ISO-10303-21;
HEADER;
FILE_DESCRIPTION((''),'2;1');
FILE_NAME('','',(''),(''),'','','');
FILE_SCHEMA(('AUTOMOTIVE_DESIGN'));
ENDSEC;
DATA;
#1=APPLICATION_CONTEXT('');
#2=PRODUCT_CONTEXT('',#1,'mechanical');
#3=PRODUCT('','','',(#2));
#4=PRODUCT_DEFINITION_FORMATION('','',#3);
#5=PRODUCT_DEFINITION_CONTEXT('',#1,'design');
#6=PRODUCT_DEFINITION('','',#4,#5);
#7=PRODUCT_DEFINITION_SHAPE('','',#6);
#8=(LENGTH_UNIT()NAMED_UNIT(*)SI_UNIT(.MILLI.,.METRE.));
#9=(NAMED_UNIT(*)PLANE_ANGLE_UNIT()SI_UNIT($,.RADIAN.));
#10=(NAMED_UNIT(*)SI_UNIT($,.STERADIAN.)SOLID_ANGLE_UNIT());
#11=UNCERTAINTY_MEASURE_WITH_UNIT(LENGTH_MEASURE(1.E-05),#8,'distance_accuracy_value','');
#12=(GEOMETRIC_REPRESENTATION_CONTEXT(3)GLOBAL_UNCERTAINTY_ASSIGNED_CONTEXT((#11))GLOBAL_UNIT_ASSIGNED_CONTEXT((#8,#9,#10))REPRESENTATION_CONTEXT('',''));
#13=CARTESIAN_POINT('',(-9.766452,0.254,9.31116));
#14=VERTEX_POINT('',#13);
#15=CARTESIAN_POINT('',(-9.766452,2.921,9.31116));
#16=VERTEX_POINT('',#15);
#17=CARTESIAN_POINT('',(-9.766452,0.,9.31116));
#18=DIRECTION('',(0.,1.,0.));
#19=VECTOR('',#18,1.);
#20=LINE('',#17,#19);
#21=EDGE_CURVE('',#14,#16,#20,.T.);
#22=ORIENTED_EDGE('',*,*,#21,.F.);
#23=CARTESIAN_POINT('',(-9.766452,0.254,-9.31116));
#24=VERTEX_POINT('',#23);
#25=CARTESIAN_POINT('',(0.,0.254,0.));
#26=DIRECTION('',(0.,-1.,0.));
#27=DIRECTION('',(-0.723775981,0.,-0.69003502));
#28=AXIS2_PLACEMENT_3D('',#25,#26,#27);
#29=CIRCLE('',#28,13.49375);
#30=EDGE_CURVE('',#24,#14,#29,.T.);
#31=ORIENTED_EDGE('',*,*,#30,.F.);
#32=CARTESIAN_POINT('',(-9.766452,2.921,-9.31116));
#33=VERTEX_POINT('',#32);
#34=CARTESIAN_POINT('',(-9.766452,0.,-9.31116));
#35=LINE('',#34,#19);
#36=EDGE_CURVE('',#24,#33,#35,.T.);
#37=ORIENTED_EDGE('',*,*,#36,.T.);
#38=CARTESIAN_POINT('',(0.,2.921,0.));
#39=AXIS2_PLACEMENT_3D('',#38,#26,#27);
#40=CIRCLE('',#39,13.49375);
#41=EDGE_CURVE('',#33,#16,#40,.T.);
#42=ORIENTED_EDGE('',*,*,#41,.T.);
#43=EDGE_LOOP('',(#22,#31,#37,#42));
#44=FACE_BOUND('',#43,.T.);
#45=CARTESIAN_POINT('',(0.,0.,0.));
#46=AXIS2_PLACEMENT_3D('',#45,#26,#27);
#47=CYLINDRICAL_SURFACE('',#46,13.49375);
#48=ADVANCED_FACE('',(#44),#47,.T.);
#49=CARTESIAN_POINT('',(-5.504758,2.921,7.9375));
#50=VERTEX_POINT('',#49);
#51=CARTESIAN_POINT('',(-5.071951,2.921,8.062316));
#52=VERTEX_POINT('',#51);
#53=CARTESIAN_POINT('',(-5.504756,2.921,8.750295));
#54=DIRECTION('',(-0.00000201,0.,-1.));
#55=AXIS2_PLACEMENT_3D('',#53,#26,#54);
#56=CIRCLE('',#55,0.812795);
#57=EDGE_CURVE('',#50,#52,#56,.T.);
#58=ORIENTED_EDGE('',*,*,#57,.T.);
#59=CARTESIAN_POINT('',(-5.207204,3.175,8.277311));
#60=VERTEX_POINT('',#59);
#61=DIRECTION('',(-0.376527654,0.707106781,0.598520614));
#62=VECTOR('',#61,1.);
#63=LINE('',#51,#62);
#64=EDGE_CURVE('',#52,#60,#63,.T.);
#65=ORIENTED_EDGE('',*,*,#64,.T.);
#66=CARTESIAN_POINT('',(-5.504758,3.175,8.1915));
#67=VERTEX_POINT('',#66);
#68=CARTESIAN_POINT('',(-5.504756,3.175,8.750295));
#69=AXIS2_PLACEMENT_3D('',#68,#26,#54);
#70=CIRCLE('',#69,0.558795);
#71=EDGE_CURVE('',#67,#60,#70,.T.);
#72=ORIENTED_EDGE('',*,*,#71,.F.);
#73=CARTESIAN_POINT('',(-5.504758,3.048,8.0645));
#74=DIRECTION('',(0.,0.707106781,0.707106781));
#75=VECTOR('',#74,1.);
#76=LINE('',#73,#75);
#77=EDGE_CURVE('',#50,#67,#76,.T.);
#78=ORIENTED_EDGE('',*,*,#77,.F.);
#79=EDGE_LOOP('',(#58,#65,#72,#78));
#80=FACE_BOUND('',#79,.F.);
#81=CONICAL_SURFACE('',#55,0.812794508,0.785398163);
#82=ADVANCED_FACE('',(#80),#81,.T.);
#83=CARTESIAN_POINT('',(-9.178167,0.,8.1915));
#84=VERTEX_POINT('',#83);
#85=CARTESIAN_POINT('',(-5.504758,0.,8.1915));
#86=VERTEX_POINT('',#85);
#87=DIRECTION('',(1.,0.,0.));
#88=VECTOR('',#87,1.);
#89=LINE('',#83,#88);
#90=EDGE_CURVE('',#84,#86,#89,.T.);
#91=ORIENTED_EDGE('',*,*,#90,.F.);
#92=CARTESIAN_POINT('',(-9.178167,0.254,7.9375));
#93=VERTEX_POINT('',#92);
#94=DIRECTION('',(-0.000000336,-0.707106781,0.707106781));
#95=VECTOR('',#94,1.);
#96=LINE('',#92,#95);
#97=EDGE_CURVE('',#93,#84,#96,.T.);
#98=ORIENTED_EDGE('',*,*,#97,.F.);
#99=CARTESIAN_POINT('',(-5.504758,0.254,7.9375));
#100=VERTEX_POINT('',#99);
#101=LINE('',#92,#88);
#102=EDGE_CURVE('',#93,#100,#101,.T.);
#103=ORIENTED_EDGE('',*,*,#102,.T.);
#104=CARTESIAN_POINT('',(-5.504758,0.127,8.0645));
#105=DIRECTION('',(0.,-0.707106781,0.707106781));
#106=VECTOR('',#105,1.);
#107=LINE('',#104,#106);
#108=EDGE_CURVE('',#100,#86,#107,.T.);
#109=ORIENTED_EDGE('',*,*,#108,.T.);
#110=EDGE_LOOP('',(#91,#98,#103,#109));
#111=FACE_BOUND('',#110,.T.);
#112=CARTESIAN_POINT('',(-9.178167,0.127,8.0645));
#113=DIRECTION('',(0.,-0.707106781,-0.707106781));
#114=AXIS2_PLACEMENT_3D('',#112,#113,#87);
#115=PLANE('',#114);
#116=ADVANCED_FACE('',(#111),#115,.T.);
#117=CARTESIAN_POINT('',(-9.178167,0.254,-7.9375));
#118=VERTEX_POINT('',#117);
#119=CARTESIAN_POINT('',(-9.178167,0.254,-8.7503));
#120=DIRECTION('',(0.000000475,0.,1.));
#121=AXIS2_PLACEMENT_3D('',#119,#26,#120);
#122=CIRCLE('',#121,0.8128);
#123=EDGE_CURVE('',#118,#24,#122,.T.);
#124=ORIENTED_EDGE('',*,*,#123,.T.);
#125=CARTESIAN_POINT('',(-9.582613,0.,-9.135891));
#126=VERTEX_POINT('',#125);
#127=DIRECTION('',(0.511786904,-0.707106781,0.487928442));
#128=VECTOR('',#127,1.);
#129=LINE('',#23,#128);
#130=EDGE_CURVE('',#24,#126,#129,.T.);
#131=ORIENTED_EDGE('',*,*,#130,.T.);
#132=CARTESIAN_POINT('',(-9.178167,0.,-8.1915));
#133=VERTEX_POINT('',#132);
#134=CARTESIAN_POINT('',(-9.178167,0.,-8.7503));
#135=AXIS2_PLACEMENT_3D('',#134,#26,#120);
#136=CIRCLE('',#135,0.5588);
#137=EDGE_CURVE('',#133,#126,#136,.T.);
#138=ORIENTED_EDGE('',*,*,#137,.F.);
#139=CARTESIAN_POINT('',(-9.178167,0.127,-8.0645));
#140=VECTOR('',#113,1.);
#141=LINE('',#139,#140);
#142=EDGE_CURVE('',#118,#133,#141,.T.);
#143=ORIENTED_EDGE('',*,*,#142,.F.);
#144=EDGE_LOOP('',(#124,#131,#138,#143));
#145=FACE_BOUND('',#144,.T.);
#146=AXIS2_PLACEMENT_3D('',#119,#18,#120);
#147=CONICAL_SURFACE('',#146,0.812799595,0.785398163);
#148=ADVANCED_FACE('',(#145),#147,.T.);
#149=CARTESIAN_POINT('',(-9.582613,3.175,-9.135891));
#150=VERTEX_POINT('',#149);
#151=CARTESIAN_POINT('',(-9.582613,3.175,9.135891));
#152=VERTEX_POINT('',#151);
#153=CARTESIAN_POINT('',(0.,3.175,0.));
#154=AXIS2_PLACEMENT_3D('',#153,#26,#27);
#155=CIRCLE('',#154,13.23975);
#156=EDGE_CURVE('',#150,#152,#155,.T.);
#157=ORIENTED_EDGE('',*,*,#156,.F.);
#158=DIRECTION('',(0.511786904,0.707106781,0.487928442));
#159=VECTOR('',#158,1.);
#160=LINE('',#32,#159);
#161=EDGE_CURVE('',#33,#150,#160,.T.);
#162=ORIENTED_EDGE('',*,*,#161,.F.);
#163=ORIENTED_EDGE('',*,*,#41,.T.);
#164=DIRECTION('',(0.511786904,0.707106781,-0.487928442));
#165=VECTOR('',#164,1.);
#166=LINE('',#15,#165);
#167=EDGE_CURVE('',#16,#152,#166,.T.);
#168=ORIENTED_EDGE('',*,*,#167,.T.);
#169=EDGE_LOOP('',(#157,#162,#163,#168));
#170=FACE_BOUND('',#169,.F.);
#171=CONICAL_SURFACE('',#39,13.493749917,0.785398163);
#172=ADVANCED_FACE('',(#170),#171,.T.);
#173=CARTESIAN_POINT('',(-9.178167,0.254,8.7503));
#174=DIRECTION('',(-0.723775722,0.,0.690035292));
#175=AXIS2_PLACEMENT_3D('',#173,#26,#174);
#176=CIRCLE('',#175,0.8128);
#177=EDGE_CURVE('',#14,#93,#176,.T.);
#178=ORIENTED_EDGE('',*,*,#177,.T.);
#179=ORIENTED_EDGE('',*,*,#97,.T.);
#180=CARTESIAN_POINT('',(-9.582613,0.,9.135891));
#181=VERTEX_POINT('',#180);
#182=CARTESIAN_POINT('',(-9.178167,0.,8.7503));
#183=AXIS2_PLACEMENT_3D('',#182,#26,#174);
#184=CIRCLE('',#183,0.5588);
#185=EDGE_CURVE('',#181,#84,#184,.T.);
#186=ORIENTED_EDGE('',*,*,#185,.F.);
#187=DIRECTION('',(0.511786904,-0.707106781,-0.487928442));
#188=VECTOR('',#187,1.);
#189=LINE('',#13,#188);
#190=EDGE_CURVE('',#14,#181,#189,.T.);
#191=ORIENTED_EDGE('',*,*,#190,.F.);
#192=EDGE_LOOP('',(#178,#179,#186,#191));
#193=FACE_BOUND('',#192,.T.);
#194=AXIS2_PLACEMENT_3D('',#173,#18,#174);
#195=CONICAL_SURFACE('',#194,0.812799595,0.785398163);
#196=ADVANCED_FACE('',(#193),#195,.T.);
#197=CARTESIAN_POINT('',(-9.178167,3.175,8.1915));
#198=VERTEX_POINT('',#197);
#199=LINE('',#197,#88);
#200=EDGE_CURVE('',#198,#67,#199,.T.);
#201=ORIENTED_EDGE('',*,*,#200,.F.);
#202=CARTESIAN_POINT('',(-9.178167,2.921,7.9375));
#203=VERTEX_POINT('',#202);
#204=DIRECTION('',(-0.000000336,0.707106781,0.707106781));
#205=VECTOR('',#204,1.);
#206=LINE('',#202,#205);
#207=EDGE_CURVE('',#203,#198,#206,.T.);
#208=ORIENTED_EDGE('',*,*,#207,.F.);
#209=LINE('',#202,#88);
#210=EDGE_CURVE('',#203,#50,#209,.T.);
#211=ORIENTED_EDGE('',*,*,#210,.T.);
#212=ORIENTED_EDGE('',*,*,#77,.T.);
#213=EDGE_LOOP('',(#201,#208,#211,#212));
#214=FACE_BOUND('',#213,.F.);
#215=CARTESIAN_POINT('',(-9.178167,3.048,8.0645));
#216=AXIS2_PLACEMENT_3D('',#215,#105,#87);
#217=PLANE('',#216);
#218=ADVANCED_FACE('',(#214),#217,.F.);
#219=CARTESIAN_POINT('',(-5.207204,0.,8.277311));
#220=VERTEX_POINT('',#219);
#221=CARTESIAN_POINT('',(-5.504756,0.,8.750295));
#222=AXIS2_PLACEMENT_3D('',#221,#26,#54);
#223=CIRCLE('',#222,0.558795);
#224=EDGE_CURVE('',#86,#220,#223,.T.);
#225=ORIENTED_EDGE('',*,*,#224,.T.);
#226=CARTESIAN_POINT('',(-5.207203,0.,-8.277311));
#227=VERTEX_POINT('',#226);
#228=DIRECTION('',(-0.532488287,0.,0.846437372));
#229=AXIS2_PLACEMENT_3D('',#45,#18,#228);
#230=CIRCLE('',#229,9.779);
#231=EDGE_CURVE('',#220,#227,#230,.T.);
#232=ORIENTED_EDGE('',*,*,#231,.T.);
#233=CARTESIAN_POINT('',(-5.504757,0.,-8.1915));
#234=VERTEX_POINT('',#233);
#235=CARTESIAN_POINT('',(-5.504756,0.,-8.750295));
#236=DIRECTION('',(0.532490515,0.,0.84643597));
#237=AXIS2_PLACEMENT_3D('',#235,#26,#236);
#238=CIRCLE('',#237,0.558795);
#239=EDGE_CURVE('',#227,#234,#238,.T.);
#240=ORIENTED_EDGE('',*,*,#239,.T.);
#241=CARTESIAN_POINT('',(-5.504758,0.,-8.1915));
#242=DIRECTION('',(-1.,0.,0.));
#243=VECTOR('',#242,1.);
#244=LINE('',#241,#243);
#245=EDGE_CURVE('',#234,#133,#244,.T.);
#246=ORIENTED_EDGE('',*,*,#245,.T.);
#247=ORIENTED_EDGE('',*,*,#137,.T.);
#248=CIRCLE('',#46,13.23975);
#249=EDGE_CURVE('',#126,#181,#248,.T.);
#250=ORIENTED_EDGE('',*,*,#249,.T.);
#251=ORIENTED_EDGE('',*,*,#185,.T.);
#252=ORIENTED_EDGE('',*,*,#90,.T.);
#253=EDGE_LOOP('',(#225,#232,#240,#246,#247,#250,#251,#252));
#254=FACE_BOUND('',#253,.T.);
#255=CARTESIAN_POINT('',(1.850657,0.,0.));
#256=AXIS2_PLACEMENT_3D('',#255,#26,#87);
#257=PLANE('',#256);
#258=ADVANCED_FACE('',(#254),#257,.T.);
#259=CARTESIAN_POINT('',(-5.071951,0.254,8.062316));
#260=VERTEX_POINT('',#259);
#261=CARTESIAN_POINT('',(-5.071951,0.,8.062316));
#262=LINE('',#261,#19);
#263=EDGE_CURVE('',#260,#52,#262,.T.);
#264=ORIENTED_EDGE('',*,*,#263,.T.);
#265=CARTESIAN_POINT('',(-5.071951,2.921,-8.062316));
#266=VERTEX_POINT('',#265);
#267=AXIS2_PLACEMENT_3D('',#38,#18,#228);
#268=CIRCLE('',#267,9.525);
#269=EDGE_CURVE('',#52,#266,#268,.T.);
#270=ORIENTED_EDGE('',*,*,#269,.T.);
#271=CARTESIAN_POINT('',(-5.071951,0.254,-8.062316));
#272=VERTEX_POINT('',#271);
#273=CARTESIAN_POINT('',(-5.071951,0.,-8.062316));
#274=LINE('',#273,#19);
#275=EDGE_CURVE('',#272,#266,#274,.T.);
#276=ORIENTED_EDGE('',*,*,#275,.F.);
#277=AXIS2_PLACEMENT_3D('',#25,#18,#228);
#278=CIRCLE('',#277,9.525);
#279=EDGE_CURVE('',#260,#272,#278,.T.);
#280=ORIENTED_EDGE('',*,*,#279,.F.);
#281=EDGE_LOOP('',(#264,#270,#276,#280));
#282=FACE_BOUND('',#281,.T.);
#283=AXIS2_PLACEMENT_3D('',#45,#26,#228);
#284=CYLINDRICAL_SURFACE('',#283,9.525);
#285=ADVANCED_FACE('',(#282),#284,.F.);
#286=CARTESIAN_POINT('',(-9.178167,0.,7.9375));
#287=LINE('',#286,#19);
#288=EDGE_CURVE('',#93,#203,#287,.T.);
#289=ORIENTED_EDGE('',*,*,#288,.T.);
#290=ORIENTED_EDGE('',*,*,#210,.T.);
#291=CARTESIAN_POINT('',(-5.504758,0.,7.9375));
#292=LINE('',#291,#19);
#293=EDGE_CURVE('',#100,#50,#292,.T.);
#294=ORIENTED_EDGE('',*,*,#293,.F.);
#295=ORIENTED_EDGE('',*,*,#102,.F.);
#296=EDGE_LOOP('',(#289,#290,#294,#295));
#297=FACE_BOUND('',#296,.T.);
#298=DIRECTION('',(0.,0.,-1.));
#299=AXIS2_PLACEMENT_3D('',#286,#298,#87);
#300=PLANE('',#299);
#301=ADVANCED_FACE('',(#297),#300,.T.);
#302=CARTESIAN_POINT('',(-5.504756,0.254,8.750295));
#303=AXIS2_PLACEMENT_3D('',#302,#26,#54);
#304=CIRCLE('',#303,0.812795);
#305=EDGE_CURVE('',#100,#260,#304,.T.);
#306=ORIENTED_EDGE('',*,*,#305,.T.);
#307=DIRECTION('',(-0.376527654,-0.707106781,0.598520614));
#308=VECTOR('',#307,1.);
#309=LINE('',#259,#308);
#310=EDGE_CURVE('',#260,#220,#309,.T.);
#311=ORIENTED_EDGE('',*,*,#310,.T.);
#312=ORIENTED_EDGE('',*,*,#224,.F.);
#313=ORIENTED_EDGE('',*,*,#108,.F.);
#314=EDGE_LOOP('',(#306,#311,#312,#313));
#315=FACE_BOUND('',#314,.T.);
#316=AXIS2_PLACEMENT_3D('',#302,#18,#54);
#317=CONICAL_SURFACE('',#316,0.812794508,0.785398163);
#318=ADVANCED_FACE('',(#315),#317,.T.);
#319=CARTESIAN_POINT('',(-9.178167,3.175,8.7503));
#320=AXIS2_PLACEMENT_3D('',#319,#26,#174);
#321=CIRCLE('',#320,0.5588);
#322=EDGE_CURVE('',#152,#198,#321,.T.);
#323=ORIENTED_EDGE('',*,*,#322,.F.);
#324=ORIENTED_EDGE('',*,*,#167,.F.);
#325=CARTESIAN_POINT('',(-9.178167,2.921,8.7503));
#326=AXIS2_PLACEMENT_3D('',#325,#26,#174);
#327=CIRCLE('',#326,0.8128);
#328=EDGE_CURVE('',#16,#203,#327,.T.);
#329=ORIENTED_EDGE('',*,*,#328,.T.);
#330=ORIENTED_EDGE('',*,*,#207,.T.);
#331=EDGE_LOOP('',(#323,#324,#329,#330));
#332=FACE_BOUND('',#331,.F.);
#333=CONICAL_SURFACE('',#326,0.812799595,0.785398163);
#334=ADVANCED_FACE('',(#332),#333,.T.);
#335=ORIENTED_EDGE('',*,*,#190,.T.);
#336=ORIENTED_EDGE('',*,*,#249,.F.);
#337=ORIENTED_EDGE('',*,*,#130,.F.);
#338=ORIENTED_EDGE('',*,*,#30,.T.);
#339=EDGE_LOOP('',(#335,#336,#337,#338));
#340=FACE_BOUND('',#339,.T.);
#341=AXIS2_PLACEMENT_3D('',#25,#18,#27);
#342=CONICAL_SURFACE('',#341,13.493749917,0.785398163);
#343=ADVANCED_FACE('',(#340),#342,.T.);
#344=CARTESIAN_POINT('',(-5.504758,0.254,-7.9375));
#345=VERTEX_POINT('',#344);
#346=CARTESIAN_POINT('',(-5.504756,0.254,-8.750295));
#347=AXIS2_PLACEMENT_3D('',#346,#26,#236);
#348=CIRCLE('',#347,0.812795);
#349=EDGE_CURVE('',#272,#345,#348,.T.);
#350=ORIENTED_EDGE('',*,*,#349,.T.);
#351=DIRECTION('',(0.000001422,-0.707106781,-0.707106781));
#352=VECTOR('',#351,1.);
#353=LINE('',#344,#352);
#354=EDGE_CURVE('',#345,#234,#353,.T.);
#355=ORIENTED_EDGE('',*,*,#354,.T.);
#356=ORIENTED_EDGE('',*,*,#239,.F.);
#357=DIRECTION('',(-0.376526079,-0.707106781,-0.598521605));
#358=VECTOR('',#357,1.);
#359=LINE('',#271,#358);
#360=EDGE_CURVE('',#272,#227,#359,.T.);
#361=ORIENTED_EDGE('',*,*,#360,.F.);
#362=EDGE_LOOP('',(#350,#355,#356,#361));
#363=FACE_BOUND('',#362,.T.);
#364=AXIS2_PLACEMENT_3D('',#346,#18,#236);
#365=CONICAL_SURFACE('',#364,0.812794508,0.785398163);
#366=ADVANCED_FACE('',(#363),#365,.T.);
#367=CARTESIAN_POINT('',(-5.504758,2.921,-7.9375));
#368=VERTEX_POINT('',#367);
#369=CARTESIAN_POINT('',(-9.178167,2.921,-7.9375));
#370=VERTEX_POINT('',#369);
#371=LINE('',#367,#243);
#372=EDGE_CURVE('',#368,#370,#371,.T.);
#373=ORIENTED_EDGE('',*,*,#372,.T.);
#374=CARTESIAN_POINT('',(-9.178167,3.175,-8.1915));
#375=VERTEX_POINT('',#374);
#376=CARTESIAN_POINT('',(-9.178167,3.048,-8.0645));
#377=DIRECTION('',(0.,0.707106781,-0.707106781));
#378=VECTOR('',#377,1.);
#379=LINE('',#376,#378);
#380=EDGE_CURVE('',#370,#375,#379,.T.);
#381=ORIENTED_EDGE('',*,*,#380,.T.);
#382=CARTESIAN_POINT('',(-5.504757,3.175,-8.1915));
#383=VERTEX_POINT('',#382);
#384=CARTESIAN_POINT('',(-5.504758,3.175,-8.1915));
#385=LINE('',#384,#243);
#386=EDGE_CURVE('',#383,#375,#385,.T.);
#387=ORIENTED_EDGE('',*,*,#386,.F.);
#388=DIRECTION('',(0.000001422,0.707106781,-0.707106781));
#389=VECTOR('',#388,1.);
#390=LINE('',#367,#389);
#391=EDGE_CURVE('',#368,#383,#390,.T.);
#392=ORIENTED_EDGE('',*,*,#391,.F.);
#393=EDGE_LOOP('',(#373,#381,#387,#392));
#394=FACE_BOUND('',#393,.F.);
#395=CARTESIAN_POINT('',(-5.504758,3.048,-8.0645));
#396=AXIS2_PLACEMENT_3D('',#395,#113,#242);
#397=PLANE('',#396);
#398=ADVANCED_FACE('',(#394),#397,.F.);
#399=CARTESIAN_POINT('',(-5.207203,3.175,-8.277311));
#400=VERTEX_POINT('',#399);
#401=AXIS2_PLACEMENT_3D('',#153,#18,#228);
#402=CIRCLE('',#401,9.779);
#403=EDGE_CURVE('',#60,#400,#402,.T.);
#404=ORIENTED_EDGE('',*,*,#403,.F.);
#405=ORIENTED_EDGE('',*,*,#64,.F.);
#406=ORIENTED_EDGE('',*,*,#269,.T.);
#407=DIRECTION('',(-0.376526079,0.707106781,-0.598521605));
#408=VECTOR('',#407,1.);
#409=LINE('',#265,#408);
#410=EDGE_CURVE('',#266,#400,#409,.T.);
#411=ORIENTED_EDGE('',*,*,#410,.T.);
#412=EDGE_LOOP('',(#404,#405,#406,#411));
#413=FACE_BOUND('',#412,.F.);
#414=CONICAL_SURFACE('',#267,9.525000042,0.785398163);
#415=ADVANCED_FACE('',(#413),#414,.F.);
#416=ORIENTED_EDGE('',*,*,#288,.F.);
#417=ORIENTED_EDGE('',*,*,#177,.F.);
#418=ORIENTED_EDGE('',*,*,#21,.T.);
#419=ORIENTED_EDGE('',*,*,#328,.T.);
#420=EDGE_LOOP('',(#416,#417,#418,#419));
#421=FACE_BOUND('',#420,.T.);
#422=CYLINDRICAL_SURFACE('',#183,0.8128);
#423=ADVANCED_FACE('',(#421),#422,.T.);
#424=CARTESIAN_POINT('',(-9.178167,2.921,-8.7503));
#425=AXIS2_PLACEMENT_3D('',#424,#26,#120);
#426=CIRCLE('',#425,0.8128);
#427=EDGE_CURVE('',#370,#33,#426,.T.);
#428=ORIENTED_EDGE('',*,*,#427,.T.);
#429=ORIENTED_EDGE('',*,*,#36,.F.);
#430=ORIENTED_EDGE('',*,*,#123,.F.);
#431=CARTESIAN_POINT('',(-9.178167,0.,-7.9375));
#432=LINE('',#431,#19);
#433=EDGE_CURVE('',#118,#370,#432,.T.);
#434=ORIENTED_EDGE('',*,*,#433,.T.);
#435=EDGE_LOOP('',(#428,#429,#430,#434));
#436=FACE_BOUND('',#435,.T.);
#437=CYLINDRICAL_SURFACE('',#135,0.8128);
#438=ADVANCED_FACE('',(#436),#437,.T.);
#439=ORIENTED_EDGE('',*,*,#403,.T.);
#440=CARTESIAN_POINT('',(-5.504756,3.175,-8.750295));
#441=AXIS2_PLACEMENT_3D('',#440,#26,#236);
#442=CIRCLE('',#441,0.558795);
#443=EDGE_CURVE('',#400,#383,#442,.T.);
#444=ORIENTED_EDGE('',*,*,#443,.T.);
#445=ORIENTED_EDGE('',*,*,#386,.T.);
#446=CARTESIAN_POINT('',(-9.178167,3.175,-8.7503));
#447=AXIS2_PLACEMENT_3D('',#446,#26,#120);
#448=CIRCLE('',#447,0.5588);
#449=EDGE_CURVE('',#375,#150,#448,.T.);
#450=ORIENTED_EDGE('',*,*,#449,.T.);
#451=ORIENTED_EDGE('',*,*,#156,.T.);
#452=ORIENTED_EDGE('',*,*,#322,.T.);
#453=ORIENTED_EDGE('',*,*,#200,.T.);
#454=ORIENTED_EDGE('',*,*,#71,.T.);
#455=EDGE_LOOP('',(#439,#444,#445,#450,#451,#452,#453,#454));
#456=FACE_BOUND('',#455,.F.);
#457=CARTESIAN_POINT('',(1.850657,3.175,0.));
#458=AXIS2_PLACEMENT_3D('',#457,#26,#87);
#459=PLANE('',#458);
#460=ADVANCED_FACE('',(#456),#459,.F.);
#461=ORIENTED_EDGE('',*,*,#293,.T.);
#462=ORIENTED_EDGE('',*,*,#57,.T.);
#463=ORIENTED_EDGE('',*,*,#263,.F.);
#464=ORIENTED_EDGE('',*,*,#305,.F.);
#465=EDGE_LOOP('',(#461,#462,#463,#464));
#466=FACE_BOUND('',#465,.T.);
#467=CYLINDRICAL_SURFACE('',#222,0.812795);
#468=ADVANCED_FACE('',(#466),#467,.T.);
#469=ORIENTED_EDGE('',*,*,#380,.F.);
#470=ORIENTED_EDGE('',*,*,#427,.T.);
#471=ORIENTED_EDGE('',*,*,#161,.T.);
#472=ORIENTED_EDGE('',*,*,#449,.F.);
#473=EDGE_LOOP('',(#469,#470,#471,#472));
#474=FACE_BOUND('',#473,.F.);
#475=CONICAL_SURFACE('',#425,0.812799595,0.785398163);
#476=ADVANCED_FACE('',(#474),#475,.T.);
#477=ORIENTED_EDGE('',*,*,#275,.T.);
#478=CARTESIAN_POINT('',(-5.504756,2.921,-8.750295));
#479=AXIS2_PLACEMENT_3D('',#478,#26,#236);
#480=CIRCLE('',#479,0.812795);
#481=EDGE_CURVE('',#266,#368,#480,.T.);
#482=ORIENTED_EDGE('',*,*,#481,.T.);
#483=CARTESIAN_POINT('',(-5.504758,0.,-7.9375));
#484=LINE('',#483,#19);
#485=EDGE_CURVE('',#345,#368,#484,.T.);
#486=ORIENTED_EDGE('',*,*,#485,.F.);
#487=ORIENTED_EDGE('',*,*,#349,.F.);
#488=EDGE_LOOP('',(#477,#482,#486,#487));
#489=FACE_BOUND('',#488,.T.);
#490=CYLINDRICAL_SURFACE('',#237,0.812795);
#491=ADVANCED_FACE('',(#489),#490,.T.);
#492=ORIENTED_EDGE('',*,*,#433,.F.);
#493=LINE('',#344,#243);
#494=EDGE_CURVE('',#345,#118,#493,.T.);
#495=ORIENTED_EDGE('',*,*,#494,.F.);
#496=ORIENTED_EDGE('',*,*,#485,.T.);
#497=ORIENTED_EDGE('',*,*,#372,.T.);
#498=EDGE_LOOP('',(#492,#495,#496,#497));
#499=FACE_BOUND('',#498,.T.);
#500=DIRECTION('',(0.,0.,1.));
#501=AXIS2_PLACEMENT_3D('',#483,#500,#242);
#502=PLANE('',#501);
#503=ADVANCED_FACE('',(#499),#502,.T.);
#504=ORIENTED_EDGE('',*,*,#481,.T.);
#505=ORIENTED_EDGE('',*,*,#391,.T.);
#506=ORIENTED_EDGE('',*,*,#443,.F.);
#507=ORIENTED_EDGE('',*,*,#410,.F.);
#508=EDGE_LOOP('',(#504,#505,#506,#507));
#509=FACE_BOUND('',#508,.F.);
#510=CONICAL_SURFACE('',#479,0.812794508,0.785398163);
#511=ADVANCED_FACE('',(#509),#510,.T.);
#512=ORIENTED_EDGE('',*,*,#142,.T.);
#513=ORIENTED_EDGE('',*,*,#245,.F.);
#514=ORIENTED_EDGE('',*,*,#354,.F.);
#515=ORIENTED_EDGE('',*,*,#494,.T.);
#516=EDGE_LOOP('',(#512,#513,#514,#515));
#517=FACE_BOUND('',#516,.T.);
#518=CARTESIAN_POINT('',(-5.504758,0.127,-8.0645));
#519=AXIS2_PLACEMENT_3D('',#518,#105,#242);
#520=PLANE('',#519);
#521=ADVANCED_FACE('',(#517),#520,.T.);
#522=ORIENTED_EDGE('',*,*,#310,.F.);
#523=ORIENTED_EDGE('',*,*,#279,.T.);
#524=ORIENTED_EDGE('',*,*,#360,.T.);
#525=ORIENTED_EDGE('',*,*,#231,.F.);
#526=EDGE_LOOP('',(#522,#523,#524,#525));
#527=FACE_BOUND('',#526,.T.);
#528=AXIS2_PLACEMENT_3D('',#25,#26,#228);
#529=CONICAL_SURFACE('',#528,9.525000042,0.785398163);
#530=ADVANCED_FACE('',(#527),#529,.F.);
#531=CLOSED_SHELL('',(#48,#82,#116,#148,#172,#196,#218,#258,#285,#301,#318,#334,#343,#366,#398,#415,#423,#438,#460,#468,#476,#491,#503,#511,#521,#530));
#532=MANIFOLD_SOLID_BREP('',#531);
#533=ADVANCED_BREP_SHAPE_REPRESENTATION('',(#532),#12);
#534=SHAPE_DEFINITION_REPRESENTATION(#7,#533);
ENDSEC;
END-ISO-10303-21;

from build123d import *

# Parameters (mm, degrees)
F1_DEPTH = 3.175
F2_SIZE  = 0.254


with BuildPart() as f1:
    # F0 (on Front) → F1 (new body)
    with BuildSketch(Plane.XZ):
        with BuildLine():
            ThreePointArc((-9.178167, -7.9375), (-9.925332, -8.430318), (-9.766452, -9.31116))
            ThreePointArc((-9.766452, -9.31116), (13.49375, 0), (-9.766452, 9.31116))
            ThreePointArc((-9.766452, 9.31116), (-9.925332, 8.430318), (-9.178167, 7.9375))
            Line((-9.178167, 7.9375), (-5.504758, 7.9375))
            ThreePointArc((-5.504758, 7.9375), (-5.279535, 7.969327), (-5.071951, 8.062316))
            ThreePointArc((-5.071951, 8.062316), (9.525, 0), (-5.071951, -8.062316))
            ThreePointArc((-5.071951, -8.062316), (-5.279535, -7.969327), (-5.504758, -7.9375))
            Line((-5.504758, -7.9375), (-9.178167, -7.9375))
        make_face()
    extrude(amount=-F1_DEPTH)

    # F2
    f2_edges = [f1.edges().sort_by_distance(p)[0] for p in [
        (13.49375, 0, 0),
        (13.49375, 3.175, 0),
    ]]
    chamfer(f2_edges, length=F2_SIZE)


solid = f1.part
